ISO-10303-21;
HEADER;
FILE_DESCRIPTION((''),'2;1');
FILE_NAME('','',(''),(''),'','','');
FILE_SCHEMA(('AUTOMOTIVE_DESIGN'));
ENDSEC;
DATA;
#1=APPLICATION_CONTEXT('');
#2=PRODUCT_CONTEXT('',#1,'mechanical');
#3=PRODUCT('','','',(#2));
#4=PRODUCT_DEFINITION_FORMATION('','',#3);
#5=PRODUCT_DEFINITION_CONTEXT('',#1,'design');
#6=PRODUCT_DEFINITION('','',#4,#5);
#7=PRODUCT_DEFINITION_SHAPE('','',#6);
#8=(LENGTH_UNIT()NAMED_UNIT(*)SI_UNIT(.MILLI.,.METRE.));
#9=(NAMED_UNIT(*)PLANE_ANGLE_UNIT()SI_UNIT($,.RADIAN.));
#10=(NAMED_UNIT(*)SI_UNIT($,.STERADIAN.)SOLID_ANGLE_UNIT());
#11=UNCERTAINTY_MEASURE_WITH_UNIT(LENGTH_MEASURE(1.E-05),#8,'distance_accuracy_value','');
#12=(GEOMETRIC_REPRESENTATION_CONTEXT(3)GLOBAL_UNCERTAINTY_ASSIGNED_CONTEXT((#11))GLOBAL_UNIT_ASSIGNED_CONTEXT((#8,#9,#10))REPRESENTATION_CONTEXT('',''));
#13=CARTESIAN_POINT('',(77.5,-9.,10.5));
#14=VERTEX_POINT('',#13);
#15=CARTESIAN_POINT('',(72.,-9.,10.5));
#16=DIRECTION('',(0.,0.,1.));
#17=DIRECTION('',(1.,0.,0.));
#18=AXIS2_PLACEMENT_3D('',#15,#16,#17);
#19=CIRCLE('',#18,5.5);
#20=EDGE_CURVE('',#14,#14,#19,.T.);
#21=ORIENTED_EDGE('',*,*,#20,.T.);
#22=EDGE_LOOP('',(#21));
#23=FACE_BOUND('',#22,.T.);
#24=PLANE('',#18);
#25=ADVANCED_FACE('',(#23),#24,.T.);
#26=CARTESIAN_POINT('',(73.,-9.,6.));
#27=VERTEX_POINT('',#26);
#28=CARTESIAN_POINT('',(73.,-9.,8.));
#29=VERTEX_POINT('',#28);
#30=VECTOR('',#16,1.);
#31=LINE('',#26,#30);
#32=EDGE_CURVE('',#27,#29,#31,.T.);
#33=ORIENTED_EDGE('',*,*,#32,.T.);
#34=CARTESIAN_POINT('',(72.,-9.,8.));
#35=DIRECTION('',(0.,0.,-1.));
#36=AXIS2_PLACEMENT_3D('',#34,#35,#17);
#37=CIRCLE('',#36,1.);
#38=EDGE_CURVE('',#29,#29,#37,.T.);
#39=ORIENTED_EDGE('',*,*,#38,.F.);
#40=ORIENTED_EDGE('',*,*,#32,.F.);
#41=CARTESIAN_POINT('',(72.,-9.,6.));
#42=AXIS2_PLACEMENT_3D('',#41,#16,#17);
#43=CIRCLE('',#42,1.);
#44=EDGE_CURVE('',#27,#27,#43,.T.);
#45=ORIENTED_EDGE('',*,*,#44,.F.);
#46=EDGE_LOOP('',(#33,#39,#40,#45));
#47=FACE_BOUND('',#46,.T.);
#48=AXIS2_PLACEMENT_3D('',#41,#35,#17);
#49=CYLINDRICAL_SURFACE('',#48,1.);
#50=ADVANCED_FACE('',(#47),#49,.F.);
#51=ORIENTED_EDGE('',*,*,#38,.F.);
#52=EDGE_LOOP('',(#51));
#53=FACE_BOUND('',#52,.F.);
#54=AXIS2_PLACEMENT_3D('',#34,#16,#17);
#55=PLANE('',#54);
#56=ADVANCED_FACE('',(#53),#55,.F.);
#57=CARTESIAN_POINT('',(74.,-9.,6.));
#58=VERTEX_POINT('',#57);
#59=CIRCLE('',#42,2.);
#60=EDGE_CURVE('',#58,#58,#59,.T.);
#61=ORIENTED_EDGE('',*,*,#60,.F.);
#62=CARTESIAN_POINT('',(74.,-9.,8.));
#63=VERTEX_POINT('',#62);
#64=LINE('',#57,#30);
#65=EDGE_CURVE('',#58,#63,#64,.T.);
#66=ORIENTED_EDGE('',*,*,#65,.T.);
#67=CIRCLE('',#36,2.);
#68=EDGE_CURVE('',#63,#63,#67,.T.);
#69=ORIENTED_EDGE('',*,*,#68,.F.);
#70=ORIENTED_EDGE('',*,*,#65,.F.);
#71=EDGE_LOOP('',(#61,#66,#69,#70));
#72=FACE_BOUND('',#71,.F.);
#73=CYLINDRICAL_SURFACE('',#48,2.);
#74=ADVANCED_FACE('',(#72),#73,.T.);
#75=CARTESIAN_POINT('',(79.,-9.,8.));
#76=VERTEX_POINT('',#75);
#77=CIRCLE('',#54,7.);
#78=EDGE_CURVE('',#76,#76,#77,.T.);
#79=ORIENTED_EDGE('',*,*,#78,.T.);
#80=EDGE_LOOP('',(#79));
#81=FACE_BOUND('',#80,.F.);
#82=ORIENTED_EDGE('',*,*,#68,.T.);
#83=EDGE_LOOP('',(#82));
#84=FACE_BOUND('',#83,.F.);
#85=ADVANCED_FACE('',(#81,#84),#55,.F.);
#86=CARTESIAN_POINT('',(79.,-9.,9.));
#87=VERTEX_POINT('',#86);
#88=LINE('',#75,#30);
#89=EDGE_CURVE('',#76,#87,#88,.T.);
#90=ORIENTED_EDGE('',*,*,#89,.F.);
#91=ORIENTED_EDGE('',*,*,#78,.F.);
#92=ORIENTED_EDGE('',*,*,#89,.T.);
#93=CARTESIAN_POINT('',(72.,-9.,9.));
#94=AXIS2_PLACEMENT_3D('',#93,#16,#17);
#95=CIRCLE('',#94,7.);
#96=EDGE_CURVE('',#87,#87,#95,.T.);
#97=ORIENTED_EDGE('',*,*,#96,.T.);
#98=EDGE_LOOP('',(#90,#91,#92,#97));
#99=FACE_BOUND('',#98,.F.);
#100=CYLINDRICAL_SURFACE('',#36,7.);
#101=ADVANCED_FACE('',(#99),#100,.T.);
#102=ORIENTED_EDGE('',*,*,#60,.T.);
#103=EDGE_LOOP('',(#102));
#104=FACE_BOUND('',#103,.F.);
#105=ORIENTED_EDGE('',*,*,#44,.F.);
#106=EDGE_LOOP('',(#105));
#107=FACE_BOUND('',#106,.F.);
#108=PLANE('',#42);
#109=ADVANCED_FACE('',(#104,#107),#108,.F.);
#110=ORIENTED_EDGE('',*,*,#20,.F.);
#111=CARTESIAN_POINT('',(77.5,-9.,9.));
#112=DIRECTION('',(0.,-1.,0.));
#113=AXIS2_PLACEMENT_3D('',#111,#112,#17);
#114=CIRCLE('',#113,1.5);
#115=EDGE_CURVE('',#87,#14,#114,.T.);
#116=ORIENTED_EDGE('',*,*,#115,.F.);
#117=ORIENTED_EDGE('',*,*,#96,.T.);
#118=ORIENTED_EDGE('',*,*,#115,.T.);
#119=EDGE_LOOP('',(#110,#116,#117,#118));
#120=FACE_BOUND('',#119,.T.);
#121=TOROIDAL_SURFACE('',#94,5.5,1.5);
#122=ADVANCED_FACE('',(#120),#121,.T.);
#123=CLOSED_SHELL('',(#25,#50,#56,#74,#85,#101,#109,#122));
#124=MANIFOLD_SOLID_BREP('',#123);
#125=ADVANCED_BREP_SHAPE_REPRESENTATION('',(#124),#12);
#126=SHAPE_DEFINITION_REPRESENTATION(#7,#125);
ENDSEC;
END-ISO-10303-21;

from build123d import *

# Parameters (mm, degrees)
CYLINDER085_R     = 1
CYLINDER085_DEPTH = 3.5
CYLINDER087_R     = 2
CYLINDER087_DEPTH = 3.5
CYLINDER086_R     = 7
CYLINDER086_DEPTH = 2.5
FILLET054_R       = 1.5


with BuildPart() as cylinder166:
    # Cylinder085 → Cylinder085 (new body)
    with BuildSketch(Plane(origin=(46, -9, 6), x_dir=(1, 0, 0), z_dir=(0, 0, 1))):
        Circle(CYLINDER085_R)
    extrude(amount=CYLINDER085_DEPTH)


with BuildPart() as cut111:
    # Cylinder087 → Cylinder087 (new body)
    with BuildSketch(Plane(origin=(46, -9, 6), x_dir=(1, 0, 0), z_dir=(0, 0, 1))):
        Circle(CYLINDER087_R)
    extrude(amount=CYLINDER087_DEPTH)

    # Cut111: cut Cylinder166
    add(cylinder166.part, mode=Mode.SUBTRACT)


with BuildPart() as fusion066:
    # Cylinder086 → Cylinder086 (new body)
    with BuildSketch(Plane(origin=(46, -9, 8), x_dir=(1, 0, 0), z_dir=(0, 0, 1))):
        Circle(CYLINDER086_R)
    extrude(amount=CYLINDER086_DEPTH)

    # Fillet054
    fillet054_edges = [fusion066.edges().sort_by_distance(p)[0] for p in [
        (39, -9, 10.5),
    ]]
    fillet(fillet054_edges, radius=FILLET054_R)

    # Fusion066: union Cut111
    add(cut111.part)


with BuildPart() as fusion066_1:
    # Fusion066 placement: moved
    add(fusion066.part.moved(Location((26, 0, 0))))


solid = fusion066_1.part
